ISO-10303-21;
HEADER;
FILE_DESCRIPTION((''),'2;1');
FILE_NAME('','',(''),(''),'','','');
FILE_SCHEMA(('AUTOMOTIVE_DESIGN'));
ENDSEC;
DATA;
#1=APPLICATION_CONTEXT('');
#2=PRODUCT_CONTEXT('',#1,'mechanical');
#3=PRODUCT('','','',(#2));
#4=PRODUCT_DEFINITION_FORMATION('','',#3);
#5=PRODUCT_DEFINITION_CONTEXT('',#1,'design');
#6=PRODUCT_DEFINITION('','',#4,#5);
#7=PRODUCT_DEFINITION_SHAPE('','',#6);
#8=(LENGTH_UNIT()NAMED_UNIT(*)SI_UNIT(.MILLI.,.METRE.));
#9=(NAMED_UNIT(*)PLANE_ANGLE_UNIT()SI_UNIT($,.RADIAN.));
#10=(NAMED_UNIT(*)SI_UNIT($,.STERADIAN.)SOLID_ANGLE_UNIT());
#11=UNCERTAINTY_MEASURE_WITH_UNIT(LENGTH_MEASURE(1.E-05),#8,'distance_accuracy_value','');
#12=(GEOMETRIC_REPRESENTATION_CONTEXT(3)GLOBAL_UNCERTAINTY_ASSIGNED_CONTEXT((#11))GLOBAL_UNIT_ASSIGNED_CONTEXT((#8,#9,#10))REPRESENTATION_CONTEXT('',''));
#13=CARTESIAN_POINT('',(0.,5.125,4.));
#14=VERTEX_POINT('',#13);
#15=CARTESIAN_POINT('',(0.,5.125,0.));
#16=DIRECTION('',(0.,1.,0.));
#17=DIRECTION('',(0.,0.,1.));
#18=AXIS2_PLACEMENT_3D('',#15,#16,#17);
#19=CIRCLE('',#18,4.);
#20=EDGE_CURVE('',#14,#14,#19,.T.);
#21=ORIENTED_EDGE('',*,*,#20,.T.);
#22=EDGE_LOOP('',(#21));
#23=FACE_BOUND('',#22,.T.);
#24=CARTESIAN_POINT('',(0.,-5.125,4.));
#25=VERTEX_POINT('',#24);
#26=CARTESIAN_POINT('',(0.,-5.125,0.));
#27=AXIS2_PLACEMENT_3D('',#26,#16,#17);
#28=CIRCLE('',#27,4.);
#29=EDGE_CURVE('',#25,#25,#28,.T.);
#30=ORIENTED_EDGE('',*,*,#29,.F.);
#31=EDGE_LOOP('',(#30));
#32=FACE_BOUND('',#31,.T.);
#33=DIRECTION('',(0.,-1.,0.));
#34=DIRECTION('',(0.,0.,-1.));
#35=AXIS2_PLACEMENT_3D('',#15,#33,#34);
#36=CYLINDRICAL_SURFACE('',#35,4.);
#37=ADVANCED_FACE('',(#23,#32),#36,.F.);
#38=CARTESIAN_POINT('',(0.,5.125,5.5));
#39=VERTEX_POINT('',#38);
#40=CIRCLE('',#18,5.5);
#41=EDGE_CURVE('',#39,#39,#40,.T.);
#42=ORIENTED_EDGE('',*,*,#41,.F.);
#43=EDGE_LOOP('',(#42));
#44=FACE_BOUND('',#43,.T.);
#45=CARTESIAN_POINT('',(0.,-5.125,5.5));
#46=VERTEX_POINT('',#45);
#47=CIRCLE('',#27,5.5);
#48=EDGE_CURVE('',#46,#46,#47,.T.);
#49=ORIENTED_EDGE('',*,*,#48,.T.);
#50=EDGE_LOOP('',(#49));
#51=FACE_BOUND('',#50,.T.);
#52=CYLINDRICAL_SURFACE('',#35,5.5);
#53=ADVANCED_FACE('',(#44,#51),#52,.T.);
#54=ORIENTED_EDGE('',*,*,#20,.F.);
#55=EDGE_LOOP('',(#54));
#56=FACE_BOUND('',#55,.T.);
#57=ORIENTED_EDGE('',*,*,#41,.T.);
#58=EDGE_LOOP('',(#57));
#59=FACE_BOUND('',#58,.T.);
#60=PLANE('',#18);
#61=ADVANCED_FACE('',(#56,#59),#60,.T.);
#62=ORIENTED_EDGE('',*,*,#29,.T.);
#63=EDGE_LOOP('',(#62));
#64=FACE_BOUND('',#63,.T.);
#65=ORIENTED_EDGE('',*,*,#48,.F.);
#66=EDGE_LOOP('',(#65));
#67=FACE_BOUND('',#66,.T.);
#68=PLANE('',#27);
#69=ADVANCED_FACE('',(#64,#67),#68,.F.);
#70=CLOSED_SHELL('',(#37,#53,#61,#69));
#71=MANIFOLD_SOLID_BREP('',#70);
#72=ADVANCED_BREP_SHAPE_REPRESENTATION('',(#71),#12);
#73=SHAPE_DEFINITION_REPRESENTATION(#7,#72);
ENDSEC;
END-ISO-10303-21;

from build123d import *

# Parameters (mm, degrees)
SKETCH1_R           = 5.5
SKETCH1_R_2         = 4
BOSS_EXTRUDE1_DEPTH = 5.125


with BuildPart() as part:
    # Sketch1 → Boss-Extrude1 (new body, symmetric)
    with BuildSketch(Plane(origin=(0, 0, 0), x_dir=(1, 0, 0), z_dir=(0, 1, 0))):
        Circle(SKETCH1_R)
        Circle(SKETCH1_R_2, mode=Mode.SUBTRACT)
    extrude(amount=BOSS_EXTRUDE1_DEPTH, both=True)


solid = part.part
